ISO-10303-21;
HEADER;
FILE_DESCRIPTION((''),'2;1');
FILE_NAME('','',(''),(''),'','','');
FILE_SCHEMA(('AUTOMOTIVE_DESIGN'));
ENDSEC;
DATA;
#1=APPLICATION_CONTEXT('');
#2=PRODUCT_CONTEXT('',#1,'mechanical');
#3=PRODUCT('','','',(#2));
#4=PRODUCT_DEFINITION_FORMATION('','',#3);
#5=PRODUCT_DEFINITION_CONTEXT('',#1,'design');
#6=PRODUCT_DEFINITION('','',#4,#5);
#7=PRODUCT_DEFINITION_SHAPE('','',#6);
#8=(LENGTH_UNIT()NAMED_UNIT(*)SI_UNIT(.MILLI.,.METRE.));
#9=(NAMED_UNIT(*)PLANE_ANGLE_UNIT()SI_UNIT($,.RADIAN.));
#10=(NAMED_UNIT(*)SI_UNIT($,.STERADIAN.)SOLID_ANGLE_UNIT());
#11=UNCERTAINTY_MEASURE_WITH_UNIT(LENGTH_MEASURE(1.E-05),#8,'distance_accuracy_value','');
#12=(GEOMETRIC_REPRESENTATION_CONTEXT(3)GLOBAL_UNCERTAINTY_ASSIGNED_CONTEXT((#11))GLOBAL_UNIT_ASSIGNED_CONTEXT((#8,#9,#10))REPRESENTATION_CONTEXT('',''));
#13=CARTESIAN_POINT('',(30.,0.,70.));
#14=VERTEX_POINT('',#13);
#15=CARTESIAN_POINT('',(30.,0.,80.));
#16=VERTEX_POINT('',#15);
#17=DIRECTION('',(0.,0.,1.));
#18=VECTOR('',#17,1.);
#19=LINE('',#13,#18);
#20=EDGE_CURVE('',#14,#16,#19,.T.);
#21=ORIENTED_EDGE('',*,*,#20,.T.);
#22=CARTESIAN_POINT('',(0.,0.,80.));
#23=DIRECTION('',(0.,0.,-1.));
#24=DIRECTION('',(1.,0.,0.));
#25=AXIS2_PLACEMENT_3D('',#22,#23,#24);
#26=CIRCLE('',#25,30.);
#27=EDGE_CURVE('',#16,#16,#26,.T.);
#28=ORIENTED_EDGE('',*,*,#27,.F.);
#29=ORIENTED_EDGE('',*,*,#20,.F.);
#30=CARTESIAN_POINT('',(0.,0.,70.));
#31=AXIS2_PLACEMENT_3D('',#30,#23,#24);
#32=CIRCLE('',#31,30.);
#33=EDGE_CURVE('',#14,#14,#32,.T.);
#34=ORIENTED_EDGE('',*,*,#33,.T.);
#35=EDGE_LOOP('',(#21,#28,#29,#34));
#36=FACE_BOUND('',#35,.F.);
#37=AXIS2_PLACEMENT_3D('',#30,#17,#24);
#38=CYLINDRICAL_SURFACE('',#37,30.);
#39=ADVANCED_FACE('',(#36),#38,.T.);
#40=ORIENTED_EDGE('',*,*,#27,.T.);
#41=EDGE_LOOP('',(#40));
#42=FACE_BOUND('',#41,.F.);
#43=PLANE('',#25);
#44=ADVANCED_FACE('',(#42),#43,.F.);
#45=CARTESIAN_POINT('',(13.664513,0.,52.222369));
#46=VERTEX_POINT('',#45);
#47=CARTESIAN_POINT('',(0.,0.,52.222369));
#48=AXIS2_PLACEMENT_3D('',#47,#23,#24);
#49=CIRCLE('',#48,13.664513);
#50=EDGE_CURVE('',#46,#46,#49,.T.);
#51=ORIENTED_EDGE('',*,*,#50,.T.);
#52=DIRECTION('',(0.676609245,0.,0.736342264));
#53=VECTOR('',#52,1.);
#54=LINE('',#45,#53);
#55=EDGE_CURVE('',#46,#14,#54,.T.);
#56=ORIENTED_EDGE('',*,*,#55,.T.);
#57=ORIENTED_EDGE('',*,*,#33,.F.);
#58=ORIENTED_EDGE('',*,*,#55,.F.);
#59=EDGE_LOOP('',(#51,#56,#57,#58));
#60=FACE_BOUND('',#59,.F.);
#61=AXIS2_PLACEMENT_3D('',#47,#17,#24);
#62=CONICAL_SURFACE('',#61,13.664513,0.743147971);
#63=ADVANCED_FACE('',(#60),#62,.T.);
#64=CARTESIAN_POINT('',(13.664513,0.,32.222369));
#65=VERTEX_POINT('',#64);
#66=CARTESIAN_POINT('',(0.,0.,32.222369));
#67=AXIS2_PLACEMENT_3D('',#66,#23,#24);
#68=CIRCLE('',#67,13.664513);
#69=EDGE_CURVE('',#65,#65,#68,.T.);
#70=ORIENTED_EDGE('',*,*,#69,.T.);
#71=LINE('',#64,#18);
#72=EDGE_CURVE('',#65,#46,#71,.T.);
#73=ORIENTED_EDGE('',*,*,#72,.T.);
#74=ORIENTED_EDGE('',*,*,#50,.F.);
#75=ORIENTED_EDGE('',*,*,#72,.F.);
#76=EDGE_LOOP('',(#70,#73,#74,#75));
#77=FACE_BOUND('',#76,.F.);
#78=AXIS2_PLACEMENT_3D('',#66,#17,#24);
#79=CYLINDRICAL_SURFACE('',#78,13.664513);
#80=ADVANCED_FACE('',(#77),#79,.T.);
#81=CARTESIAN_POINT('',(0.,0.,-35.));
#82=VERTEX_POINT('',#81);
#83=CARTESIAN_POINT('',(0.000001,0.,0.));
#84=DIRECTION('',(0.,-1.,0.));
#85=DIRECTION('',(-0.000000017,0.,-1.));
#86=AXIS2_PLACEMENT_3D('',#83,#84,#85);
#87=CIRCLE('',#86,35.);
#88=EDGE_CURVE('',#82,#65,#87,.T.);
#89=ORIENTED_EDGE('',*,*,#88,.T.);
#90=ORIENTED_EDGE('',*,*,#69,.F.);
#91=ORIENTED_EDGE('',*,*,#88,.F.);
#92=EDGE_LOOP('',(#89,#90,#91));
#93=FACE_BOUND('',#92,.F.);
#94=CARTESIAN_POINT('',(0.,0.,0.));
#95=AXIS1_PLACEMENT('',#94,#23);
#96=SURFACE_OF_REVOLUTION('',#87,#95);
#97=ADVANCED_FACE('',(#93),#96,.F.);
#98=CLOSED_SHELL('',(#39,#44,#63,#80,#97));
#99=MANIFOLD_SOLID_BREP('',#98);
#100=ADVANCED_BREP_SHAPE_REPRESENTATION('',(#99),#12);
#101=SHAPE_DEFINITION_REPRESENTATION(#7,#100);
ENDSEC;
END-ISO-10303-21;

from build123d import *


with BuildPart() as f1:
    # F0 (on Front) → F1 (revolve)
    with BuildSketch(Plane.XZ):
        with BuildLine():
            Line((0, 35), (0, -35))
            ThreePointArc((0, -35), (34.298564, -6.971982), (13.664513, 32.222369))
            Line((13.664513, 32.222369), (13.664513, 52.222369))
            Line((13.664513, 52.222369), (30, 70))
            Line((30, 70), (30, 80))
            Line((30, 80), (0, 80))
            Line((0, 80), (0, 35))
        make_face()
    revolve(axis=Axis((0, 0, 0), (0, 0, -1)))


solid = f1.part
